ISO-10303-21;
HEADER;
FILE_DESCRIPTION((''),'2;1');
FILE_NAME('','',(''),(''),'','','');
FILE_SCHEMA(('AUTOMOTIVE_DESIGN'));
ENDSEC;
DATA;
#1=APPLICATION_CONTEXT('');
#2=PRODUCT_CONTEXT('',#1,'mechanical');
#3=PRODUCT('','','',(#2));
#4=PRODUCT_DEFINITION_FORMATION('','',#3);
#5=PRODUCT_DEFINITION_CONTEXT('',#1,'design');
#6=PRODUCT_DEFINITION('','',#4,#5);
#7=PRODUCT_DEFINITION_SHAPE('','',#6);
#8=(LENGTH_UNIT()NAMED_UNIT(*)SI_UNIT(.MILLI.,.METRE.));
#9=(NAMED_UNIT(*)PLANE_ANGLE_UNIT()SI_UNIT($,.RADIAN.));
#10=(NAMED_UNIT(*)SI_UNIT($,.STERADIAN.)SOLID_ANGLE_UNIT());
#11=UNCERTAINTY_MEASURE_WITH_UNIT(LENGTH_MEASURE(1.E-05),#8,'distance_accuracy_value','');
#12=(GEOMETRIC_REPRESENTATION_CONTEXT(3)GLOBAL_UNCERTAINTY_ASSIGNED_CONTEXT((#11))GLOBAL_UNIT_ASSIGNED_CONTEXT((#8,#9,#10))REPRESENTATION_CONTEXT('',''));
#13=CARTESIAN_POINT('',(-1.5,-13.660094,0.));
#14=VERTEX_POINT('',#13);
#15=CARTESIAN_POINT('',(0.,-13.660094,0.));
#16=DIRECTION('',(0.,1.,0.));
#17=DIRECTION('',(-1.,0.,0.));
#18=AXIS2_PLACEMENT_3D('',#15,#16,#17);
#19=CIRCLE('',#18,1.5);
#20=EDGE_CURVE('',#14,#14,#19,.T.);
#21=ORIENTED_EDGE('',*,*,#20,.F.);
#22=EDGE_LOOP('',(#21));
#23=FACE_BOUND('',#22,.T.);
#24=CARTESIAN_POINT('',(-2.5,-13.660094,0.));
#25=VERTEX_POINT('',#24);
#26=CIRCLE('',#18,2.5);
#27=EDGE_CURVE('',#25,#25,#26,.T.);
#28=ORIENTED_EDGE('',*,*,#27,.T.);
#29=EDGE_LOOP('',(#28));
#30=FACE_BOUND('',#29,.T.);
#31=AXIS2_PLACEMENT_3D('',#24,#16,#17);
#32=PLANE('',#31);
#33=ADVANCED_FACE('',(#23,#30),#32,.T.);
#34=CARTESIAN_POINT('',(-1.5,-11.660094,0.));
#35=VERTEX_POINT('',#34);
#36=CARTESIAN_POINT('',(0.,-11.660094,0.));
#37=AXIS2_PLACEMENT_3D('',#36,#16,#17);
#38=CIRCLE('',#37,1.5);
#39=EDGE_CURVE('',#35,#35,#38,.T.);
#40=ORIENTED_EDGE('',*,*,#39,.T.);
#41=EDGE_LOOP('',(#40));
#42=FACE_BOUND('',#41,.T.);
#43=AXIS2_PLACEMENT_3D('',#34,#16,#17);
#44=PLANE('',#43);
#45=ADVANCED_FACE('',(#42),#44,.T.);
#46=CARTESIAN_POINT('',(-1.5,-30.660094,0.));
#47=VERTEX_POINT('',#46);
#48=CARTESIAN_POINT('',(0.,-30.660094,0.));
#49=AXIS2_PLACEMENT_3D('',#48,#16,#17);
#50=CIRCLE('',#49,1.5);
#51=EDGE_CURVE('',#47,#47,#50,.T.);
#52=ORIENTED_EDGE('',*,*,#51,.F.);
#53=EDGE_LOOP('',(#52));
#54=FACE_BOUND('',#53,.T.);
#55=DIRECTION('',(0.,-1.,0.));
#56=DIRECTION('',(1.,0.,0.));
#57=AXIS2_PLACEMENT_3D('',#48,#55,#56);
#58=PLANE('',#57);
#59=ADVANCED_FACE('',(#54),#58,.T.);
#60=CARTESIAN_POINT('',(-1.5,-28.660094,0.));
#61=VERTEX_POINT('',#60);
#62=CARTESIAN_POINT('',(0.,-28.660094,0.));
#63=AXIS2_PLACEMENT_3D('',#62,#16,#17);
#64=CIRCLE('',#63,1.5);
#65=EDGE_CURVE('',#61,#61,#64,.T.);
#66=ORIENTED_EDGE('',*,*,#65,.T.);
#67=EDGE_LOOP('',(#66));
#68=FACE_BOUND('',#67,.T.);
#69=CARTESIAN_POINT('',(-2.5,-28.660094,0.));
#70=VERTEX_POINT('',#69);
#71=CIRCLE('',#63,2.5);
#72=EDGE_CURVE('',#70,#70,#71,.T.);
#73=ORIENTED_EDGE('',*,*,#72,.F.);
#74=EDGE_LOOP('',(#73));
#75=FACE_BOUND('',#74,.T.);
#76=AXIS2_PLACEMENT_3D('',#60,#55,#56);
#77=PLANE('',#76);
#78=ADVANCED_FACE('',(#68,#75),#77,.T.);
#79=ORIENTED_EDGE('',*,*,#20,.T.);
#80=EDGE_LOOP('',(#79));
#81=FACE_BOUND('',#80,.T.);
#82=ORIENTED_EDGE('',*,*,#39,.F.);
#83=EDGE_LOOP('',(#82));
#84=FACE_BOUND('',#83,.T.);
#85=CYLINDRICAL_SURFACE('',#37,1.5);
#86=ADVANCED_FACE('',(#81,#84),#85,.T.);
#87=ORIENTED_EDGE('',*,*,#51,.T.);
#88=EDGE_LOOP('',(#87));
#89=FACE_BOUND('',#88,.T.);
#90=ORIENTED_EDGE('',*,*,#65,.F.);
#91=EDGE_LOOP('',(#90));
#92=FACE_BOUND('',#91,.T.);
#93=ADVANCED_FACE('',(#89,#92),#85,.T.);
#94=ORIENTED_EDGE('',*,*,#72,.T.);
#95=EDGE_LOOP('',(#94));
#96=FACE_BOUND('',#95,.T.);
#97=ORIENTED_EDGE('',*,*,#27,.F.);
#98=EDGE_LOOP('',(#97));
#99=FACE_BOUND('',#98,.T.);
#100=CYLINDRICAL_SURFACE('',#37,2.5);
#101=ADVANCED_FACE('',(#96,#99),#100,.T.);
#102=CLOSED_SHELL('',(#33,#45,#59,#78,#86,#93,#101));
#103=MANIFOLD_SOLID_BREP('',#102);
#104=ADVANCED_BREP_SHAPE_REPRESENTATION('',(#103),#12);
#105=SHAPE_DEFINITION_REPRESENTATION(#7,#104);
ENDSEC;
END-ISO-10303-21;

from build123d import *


with BuildPart() as part:
    # Sketch1 → Revolve1 (revolve)
    with BuildSketch(Plane.XY):
        Polygon((0, -11.660094277), (0, -30.660094277), (-1.5, -30.660094277), (-1.5, -28.660094277), (-2.5, -28.660094277), (-2.5, -13.660094277), (-1.5, -13.660094277), (-1.5, -11.660094277), align=None)
    revolve(axis=Axis((0, -11.660094277, 0), (0, -1, 0)))


solid = part.part
